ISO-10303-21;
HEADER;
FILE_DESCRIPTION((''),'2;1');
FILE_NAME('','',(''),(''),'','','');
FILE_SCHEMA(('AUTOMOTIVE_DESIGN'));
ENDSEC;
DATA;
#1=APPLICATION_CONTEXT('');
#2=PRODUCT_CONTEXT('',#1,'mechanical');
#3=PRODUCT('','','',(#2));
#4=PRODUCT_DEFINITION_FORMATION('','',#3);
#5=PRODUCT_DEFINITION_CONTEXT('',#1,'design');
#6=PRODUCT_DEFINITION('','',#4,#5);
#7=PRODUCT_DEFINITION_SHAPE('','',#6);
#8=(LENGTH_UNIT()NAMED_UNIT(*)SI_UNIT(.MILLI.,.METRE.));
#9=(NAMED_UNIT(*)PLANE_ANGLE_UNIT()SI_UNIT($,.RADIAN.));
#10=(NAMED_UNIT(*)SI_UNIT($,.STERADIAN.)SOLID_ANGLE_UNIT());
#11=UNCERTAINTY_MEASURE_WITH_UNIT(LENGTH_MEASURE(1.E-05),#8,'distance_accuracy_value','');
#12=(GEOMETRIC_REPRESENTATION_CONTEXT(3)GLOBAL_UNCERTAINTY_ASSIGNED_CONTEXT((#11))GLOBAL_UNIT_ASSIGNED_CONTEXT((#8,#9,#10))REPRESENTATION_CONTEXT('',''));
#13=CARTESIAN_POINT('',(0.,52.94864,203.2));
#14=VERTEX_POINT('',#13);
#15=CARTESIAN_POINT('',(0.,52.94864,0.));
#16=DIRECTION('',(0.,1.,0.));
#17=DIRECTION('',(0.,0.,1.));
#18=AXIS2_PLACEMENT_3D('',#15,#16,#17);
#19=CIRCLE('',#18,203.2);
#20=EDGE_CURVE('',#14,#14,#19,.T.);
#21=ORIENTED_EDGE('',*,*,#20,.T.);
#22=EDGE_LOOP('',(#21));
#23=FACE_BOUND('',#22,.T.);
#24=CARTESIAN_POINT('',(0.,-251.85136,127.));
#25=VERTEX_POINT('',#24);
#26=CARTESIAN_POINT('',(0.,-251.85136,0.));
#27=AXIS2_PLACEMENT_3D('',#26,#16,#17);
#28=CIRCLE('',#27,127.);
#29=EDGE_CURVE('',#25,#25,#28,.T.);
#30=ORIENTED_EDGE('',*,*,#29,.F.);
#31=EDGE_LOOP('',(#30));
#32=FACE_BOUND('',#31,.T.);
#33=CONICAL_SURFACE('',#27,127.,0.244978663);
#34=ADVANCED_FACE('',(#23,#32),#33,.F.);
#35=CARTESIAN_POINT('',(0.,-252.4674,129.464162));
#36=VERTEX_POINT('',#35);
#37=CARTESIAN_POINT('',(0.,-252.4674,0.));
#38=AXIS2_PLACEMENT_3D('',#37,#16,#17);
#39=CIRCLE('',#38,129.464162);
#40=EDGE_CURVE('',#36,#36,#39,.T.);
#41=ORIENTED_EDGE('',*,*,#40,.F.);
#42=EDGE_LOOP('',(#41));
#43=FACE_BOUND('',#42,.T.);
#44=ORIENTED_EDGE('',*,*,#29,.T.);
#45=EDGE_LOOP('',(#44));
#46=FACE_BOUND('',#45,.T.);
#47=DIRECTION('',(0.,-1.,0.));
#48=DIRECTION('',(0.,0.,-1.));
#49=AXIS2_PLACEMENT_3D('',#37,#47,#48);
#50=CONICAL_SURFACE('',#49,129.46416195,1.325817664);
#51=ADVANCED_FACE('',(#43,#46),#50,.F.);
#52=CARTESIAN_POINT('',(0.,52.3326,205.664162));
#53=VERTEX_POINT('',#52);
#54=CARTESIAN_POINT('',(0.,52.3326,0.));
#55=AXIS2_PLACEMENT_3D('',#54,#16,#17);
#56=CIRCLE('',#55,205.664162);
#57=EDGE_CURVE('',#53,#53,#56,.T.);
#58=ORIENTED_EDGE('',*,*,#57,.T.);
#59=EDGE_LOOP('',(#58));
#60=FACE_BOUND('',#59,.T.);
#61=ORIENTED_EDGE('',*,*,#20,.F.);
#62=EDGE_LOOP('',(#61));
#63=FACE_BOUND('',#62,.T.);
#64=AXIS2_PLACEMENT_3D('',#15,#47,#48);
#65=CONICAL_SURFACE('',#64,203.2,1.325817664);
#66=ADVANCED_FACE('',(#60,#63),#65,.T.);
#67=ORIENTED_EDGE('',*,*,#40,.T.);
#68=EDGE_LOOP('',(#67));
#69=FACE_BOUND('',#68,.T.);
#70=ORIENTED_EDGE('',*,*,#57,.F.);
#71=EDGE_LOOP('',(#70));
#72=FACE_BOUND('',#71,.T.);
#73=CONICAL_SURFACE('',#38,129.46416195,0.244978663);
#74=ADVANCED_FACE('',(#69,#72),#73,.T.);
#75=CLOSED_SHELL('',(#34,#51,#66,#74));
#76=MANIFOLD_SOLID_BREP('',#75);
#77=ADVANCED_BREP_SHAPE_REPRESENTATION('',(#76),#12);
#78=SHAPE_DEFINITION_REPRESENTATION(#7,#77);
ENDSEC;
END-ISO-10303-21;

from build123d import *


with BuildPart() as part:
    # Sketch1 → Revolve-Thin1 (revolve)
    with BuildSketch(Plane.XY, mode=Mode.PRIVATE) as revolve_thin1_sk:
        Polygon((127, -251.851359517), (203.2, 52.948640483), (205.66416195, 52.332599996), (129.46416195, -252.467400004), align=None)
    revolve(revolve_thin1_sk.sketch.rotate(Axis((0, 168.054380665, 0), (0, -1, 0)), 90), axis=Axis((0, 168.054380665, 0), (0, -1, 0)))


solid = part.part
